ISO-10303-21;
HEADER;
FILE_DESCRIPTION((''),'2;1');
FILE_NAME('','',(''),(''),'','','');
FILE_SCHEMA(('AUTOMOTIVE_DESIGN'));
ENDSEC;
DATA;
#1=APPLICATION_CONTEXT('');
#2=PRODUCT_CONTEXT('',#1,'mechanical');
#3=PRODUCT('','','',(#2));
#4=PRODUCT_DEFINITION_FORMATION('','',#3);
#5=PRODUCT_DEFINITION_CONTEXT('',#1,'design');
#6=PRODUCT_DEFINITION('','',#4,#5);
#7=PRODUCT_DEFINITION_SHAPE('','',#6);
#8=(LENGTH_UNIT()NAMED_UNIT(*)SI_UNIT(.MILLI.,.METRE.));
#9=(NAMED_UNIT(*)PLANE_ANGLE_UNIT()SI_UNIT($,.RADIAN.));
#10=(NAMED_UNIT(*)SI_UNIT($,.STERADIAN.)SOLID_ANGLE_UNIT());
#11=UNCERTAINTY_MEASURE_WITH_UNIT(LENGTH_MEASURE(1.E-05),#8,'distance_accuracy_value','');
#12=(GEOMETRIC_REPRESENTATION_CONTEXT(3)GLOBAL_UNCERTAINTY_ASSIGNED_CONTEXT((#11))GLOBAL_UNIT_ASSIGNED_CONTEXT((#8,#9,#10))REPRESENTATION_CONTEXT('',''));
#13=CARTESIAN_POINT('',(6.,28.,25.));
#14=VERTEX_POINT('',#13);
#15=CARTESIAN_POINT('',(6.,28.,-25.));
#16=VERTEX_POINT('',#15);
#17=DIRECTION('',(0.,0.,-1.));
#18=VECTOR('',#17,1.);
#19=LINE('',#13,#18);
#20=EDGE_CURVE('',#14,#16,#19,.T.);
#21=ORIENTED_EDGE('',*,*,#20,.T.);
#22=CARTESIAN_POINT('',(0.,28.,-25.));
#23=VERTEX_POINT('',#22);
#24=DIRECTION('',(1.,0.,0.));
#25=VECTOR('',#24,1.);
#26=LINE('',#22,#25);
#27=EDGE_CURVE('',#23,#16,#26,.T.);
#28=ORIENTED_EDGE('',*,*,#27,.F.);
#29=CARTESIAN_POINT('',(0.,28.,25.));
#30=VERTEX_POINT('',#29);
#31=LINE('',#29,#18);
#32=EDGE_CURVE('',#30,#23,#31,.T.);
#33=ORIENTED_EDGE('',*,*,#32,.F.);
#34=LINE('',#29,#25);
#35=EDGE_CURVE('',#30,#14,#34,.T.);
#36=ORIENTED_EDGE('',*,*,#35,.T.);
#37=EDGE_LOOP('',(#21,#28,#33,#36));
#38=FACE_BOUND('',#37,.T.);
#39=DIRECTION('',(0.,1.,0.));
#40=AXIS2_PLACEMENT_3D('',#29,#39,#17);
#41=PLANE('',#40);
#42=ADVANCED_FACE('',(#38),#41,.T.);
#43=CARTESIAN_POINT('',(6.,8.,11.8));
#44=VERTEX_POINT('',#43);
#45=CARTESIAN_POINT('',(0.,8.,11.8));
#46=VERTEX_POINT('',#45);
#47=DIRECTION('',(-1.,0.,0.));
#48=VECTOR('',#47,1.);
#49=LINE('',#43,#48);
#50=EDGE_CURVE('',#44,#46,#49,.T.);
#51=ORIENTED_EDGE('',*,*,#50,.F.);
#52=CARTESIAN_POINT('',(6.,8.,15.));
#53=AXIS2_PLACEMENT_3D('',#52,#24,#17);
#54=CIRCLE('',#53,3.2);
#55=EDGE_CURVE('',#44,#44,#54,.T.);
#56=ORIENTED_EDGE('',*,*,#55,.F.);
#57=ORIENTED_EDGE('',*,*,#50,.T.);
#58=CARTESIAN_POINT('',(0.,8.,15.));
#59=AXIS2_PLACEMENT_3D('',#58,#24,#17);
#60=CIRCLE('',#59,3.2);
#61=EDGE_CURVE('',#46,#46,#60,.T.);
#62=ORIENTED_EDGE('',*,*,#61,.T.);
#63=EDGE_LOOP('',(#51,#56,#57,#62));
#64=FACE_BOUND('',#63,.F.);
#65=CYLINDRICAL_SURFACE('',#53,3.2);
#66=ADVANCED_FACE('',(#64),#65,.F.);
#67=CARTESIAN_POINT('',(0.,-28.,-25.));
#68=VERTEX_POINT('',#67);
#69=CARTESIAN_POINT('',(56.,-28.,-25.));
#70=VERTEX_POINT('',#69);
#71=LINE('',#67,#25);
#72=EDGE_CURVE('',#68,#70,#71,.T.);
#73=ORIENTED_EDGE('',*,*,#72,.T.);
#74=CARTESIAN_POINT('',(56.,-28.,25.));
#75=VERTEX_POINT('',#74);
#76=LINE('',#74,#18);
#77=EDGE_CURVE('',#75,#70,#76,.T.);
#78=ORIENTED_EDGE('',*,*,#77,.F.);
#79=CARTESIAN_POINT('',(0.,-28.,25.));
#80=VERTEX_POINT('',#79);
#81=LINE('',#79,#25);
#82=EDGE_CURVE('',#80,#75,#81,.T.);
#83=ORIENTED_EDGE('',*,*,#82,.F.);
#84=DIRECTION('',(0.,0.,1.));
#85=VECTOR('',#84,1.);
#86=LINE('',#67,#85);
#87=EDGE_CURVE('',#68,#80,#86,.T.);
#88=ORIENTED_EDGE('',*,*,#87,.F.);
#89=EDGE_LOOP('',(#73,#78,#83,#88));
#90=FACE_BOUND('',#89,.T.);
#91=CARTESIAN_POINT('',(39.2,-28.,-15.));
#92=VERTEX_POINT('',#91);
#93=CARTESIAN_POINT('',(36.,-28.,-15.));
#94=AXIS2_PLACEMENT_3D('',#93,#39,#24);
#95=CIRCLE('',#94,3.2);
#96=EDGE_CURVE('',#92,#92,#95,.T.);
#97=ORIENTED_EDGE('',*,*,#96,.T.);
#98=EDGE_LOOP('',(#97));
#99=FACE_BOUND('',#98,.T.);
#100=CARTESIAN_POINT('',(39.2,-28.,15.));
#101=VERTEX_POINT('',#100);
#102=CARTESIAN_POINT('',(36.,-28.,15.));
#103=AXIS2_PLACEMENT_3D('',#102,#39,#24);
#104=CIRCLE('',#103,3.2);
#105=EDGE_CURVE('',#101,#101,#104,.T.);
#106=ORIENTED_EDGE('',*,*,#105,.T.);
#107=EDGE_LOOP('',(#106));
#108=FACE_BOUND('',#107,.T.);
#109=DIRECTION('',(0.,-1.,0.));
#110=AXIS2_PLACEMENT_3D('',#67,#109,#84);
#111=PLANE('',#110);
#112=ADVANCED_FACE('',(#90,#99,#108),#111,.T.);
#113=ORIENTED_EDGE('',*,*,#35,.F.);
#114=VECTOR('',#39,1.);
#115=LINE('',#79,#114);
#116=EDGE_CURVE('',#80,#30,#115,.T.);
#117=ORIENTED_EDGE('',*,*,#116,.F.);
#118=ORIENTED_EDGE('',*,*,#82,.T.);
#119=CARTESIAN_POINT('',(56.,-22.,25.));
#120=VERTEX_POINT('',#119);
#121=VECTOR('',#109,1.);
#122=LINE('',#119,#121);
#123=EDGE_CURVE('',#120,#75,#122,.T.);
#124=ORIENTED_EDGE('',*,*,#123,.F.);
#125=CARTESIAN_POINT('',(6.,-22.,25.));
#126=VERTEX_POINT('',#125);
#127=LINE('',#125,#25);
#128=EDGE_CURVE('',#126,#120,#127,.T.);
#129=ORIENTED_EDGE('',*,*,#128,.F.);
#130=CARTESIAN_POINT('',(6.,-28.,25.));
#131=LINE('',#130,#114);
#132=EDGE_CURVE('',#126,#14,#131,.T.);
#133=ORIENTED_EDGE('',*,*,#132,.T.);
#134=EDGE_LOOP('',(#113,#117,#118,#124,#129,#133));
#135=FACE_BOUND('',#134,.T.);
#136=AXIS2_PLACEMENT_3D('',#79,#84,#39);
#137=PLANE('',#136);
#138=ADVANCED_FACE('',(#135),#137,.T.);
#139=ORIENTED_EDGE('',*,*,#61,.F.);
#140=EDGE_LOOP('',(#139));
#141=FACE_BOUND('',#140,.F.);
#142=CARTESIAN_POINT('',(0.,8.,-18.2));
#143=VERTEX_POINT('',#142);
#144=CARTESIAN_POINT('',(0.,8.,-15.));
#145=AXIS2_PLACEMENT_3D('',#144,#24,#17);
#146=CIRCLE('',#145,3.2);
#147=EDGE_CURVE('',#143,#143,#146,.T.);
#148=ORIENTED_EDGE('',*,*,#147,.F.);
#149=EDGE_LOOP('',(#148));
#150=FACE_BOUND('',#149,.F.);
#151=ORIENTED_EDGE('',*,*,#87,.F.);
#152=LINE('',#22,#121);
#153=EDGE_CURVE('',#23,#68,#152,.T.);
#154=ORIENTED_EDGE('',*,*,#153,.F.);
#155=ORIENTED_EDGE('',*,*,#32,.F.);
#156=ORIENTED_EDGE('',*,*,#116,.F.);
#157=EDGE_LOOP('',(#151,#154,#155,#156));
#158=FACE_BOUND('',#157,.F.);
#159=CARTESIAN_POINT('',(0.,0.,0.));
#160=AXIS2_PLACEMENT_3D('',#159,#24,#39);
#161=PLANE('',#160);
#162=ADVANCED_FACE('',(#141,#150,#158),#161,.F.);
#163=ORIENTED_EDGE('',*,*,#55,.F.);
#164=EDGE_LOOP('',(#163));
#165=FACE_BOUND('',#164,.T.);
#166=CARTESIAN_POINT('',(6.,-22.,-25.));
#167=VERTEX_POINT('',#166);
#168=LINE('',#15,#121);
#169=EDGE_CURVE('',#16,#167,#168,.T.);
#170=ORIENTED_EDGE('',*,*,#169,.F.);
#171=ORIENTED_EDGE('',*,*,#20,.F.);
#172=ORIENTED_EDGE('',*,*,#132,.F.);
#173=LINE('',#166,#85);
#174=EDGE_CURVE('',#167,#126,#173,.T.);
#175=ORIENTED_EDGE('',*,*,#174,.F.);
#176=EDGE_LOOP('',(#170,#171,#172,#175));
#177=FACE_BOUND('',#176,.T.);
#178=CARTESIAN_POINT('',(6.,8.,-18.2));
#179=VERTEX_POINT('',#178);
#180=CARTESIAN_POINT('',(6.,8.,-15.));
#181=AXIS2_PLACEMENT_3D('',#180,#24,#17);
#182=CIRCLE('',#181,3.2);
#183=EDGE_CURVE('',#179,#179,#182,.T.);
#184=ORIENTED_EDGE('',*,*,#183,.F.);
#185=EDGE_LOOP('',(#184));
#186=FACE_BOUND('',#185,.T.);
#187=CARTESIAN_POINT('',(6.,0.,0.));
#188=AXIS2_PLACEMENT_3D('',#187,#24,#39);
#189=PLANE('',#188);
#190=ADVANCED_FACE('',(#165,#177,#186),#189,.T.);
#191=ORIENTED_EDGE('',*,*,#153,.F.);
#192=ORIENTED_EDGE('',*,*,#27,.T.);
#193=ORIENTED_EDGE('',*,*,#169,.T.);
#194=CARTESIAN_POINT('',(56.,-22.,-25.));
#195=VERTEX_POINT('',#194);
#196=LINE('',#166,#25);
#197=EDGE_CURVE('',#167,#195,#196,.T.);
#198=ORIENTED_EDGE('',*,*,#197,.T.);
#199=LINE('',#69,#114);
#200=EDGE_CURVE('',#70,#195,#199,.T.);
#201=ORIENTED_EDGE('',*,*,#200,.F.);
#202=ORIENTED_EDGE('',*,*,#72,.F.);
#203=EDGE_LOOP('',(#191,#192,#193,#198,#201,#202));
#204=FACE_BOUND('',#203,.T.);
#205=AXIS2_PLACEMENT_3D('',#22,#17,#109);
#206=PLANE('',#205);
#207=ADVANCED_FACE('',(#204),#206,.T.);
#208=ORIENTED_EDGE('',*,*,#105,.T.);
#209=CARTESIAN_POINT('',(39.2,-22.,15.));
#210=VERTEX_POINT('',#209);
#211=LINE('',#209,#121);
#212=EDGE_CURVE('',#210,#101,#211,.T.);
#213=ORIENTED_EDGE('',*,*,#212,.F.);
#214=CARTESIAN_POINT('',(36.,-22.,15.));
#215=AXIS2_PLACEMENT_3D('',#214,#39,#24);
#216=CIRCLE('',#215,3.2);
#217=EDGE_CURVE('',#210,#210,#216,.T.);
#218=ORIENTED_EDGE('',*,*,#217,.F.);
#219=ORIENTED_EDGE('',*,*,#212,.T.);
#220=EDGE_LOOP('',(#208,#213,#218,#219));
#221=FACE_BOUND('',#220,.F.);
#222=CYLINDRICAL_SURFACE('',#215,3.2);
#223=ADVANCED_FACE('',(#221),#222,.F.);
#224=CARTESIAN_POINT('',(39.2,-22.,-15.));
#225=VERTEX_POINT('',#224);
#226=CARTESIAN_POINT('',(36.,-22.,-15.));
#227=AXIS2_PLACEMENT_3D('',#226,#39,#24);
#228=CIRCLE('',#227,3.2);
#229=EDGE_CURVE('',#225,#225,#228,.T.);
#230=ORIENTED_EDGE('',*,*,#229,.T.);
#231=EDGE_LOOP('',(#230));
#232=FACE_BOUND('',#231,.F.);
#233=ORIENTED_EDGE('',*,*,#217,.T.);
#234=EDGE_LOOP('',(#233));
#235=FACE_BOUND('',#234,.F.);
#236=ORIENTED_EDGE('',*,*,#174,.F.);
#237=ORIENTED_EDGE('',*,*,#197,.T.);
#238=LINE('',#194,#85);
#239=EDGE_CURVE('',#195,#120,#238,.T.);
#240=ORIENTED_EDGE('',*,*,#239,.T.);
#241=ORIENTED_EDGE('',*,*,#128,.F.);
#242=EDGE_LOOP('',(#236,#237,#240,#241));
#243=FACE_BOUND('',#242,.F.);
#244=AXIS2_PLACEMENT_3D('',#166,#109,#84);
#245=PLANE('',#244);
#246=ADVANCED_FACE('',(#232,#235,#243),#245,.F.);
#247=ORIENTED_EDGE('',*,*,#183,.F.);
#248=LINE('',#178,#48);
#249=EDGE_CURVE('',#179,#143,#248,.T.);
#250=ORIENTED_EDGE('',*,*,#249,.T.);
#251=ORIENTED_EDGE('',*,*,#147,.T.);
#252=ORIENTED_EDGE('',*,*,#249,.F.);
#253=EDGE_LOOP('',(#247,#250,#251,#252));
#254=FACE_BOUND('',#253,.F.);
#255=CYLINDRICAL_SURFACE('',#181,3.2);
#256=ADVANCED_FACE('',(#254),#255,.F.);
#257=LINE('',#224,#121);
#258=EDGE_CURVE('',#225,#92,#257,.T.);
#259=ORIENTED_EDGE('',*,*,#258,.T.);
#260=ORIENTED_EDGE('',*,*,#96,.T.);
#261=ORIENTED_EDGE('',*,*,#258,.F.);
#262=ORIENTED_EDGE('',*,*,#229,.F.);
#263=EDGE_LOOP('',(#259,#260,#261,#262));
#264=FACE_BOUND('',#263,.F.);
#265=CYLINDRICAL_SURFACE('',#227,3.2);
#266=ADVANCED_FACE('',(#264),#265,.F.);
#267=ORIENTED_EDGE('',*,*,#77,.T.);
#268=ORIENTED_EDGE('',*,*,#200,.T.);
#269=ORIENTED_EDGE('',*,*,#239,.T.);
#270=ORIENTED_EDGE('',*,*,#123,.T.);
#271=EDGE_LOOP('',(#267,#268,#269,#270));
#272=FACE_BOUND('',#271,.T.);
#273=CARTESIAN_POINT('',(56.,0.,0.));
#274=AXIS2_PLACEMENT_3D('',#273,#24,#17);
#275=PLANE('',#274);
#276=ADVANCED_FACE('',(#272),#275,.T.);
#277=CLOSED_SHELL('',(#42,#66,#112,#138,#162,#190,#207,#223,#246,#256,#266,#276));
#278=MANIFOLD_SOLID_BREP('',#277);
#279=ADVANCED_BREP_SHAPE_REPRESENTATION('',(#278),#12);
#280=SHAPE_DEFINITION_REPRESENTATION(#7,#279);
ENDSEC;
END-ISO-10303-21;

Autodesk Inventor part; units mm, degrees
ref_plane "YZ Plane" through (0, 0, 0) normal (1, 0, 0) x (0, 1, 0)
ref_plane "XZ Plane" through (0, 0, 0) normal (0, 1, 0) x (-1, 0, 0)
ref_plane "XY Plane" through (0, 0, 0) normal (0, 0, 1) x (1, 0, 0)
sketch "Sketch1" plane through (0, 0, 0) normal (1, 0, 0) x (0, 1, 0)
  line L0 (-28, 25) -> (28, 25)
  line L1 (28, 25) -> (28, -25)
  line L2 (28, -25) -> (-28, -25)
  line L3 (-28, -25) -> (-28, 25)
  line L4 (-28, 25) -> (28, -25) construction
  line L5 (28, 25) -> (-28, -25) construction
  point P0 (0, 0)
  dimension "d0" = 56
  dimension "d1" = 50
extrude "Extrusion1" add sketch "Sketch1" along normal blind 6
sketch "Sketch2" plane through (6, 0, 0) normal (1, 0, 0) x (0, 0, -1)
  line L0 (-25, -28) -> (25, -28)
  line L1 (25, -28) -> (25, -22)
  line L2 (25, -22) -> (-25, -22)
  line L3 (-25, -22) -> (-25, -28)
  point P0 (0, 0)
  dimension "d4" = 50
  dimension "d5" = 6
extrude "Extrusion2" add sketch "Sketch2" along normal blind 50
sketch "Sketch3" plane through (56, -22, 25) normal (0, 1, 0) x (1, 0, 0)
  circle A0 centre (-20, 10) radius 3.2
  circle A1 centre (-20, 40) radius 3.2
  point P0 (-56, 25)
  dimension "d9" = 6.4
  dimension "d10" = 6.4
sketch "Sketch4" plane through (6, 0, 0) normal (1, 0, 0) x (0, 0, -1)
  circle A0 centre (-15, 8) radius 3.2
  circle A1 centre (15, 8) radius 3.2
  point P0 (0, 0)
  dimension "d11" = 6.4
  dimension "d12" = 6.4
extrude "Extrusion3" cut sketch "Sketch4" against normal through all
extrude "Extrusion4" cut sketch "Sketch3" against normal through all
properties part number "Angle"
